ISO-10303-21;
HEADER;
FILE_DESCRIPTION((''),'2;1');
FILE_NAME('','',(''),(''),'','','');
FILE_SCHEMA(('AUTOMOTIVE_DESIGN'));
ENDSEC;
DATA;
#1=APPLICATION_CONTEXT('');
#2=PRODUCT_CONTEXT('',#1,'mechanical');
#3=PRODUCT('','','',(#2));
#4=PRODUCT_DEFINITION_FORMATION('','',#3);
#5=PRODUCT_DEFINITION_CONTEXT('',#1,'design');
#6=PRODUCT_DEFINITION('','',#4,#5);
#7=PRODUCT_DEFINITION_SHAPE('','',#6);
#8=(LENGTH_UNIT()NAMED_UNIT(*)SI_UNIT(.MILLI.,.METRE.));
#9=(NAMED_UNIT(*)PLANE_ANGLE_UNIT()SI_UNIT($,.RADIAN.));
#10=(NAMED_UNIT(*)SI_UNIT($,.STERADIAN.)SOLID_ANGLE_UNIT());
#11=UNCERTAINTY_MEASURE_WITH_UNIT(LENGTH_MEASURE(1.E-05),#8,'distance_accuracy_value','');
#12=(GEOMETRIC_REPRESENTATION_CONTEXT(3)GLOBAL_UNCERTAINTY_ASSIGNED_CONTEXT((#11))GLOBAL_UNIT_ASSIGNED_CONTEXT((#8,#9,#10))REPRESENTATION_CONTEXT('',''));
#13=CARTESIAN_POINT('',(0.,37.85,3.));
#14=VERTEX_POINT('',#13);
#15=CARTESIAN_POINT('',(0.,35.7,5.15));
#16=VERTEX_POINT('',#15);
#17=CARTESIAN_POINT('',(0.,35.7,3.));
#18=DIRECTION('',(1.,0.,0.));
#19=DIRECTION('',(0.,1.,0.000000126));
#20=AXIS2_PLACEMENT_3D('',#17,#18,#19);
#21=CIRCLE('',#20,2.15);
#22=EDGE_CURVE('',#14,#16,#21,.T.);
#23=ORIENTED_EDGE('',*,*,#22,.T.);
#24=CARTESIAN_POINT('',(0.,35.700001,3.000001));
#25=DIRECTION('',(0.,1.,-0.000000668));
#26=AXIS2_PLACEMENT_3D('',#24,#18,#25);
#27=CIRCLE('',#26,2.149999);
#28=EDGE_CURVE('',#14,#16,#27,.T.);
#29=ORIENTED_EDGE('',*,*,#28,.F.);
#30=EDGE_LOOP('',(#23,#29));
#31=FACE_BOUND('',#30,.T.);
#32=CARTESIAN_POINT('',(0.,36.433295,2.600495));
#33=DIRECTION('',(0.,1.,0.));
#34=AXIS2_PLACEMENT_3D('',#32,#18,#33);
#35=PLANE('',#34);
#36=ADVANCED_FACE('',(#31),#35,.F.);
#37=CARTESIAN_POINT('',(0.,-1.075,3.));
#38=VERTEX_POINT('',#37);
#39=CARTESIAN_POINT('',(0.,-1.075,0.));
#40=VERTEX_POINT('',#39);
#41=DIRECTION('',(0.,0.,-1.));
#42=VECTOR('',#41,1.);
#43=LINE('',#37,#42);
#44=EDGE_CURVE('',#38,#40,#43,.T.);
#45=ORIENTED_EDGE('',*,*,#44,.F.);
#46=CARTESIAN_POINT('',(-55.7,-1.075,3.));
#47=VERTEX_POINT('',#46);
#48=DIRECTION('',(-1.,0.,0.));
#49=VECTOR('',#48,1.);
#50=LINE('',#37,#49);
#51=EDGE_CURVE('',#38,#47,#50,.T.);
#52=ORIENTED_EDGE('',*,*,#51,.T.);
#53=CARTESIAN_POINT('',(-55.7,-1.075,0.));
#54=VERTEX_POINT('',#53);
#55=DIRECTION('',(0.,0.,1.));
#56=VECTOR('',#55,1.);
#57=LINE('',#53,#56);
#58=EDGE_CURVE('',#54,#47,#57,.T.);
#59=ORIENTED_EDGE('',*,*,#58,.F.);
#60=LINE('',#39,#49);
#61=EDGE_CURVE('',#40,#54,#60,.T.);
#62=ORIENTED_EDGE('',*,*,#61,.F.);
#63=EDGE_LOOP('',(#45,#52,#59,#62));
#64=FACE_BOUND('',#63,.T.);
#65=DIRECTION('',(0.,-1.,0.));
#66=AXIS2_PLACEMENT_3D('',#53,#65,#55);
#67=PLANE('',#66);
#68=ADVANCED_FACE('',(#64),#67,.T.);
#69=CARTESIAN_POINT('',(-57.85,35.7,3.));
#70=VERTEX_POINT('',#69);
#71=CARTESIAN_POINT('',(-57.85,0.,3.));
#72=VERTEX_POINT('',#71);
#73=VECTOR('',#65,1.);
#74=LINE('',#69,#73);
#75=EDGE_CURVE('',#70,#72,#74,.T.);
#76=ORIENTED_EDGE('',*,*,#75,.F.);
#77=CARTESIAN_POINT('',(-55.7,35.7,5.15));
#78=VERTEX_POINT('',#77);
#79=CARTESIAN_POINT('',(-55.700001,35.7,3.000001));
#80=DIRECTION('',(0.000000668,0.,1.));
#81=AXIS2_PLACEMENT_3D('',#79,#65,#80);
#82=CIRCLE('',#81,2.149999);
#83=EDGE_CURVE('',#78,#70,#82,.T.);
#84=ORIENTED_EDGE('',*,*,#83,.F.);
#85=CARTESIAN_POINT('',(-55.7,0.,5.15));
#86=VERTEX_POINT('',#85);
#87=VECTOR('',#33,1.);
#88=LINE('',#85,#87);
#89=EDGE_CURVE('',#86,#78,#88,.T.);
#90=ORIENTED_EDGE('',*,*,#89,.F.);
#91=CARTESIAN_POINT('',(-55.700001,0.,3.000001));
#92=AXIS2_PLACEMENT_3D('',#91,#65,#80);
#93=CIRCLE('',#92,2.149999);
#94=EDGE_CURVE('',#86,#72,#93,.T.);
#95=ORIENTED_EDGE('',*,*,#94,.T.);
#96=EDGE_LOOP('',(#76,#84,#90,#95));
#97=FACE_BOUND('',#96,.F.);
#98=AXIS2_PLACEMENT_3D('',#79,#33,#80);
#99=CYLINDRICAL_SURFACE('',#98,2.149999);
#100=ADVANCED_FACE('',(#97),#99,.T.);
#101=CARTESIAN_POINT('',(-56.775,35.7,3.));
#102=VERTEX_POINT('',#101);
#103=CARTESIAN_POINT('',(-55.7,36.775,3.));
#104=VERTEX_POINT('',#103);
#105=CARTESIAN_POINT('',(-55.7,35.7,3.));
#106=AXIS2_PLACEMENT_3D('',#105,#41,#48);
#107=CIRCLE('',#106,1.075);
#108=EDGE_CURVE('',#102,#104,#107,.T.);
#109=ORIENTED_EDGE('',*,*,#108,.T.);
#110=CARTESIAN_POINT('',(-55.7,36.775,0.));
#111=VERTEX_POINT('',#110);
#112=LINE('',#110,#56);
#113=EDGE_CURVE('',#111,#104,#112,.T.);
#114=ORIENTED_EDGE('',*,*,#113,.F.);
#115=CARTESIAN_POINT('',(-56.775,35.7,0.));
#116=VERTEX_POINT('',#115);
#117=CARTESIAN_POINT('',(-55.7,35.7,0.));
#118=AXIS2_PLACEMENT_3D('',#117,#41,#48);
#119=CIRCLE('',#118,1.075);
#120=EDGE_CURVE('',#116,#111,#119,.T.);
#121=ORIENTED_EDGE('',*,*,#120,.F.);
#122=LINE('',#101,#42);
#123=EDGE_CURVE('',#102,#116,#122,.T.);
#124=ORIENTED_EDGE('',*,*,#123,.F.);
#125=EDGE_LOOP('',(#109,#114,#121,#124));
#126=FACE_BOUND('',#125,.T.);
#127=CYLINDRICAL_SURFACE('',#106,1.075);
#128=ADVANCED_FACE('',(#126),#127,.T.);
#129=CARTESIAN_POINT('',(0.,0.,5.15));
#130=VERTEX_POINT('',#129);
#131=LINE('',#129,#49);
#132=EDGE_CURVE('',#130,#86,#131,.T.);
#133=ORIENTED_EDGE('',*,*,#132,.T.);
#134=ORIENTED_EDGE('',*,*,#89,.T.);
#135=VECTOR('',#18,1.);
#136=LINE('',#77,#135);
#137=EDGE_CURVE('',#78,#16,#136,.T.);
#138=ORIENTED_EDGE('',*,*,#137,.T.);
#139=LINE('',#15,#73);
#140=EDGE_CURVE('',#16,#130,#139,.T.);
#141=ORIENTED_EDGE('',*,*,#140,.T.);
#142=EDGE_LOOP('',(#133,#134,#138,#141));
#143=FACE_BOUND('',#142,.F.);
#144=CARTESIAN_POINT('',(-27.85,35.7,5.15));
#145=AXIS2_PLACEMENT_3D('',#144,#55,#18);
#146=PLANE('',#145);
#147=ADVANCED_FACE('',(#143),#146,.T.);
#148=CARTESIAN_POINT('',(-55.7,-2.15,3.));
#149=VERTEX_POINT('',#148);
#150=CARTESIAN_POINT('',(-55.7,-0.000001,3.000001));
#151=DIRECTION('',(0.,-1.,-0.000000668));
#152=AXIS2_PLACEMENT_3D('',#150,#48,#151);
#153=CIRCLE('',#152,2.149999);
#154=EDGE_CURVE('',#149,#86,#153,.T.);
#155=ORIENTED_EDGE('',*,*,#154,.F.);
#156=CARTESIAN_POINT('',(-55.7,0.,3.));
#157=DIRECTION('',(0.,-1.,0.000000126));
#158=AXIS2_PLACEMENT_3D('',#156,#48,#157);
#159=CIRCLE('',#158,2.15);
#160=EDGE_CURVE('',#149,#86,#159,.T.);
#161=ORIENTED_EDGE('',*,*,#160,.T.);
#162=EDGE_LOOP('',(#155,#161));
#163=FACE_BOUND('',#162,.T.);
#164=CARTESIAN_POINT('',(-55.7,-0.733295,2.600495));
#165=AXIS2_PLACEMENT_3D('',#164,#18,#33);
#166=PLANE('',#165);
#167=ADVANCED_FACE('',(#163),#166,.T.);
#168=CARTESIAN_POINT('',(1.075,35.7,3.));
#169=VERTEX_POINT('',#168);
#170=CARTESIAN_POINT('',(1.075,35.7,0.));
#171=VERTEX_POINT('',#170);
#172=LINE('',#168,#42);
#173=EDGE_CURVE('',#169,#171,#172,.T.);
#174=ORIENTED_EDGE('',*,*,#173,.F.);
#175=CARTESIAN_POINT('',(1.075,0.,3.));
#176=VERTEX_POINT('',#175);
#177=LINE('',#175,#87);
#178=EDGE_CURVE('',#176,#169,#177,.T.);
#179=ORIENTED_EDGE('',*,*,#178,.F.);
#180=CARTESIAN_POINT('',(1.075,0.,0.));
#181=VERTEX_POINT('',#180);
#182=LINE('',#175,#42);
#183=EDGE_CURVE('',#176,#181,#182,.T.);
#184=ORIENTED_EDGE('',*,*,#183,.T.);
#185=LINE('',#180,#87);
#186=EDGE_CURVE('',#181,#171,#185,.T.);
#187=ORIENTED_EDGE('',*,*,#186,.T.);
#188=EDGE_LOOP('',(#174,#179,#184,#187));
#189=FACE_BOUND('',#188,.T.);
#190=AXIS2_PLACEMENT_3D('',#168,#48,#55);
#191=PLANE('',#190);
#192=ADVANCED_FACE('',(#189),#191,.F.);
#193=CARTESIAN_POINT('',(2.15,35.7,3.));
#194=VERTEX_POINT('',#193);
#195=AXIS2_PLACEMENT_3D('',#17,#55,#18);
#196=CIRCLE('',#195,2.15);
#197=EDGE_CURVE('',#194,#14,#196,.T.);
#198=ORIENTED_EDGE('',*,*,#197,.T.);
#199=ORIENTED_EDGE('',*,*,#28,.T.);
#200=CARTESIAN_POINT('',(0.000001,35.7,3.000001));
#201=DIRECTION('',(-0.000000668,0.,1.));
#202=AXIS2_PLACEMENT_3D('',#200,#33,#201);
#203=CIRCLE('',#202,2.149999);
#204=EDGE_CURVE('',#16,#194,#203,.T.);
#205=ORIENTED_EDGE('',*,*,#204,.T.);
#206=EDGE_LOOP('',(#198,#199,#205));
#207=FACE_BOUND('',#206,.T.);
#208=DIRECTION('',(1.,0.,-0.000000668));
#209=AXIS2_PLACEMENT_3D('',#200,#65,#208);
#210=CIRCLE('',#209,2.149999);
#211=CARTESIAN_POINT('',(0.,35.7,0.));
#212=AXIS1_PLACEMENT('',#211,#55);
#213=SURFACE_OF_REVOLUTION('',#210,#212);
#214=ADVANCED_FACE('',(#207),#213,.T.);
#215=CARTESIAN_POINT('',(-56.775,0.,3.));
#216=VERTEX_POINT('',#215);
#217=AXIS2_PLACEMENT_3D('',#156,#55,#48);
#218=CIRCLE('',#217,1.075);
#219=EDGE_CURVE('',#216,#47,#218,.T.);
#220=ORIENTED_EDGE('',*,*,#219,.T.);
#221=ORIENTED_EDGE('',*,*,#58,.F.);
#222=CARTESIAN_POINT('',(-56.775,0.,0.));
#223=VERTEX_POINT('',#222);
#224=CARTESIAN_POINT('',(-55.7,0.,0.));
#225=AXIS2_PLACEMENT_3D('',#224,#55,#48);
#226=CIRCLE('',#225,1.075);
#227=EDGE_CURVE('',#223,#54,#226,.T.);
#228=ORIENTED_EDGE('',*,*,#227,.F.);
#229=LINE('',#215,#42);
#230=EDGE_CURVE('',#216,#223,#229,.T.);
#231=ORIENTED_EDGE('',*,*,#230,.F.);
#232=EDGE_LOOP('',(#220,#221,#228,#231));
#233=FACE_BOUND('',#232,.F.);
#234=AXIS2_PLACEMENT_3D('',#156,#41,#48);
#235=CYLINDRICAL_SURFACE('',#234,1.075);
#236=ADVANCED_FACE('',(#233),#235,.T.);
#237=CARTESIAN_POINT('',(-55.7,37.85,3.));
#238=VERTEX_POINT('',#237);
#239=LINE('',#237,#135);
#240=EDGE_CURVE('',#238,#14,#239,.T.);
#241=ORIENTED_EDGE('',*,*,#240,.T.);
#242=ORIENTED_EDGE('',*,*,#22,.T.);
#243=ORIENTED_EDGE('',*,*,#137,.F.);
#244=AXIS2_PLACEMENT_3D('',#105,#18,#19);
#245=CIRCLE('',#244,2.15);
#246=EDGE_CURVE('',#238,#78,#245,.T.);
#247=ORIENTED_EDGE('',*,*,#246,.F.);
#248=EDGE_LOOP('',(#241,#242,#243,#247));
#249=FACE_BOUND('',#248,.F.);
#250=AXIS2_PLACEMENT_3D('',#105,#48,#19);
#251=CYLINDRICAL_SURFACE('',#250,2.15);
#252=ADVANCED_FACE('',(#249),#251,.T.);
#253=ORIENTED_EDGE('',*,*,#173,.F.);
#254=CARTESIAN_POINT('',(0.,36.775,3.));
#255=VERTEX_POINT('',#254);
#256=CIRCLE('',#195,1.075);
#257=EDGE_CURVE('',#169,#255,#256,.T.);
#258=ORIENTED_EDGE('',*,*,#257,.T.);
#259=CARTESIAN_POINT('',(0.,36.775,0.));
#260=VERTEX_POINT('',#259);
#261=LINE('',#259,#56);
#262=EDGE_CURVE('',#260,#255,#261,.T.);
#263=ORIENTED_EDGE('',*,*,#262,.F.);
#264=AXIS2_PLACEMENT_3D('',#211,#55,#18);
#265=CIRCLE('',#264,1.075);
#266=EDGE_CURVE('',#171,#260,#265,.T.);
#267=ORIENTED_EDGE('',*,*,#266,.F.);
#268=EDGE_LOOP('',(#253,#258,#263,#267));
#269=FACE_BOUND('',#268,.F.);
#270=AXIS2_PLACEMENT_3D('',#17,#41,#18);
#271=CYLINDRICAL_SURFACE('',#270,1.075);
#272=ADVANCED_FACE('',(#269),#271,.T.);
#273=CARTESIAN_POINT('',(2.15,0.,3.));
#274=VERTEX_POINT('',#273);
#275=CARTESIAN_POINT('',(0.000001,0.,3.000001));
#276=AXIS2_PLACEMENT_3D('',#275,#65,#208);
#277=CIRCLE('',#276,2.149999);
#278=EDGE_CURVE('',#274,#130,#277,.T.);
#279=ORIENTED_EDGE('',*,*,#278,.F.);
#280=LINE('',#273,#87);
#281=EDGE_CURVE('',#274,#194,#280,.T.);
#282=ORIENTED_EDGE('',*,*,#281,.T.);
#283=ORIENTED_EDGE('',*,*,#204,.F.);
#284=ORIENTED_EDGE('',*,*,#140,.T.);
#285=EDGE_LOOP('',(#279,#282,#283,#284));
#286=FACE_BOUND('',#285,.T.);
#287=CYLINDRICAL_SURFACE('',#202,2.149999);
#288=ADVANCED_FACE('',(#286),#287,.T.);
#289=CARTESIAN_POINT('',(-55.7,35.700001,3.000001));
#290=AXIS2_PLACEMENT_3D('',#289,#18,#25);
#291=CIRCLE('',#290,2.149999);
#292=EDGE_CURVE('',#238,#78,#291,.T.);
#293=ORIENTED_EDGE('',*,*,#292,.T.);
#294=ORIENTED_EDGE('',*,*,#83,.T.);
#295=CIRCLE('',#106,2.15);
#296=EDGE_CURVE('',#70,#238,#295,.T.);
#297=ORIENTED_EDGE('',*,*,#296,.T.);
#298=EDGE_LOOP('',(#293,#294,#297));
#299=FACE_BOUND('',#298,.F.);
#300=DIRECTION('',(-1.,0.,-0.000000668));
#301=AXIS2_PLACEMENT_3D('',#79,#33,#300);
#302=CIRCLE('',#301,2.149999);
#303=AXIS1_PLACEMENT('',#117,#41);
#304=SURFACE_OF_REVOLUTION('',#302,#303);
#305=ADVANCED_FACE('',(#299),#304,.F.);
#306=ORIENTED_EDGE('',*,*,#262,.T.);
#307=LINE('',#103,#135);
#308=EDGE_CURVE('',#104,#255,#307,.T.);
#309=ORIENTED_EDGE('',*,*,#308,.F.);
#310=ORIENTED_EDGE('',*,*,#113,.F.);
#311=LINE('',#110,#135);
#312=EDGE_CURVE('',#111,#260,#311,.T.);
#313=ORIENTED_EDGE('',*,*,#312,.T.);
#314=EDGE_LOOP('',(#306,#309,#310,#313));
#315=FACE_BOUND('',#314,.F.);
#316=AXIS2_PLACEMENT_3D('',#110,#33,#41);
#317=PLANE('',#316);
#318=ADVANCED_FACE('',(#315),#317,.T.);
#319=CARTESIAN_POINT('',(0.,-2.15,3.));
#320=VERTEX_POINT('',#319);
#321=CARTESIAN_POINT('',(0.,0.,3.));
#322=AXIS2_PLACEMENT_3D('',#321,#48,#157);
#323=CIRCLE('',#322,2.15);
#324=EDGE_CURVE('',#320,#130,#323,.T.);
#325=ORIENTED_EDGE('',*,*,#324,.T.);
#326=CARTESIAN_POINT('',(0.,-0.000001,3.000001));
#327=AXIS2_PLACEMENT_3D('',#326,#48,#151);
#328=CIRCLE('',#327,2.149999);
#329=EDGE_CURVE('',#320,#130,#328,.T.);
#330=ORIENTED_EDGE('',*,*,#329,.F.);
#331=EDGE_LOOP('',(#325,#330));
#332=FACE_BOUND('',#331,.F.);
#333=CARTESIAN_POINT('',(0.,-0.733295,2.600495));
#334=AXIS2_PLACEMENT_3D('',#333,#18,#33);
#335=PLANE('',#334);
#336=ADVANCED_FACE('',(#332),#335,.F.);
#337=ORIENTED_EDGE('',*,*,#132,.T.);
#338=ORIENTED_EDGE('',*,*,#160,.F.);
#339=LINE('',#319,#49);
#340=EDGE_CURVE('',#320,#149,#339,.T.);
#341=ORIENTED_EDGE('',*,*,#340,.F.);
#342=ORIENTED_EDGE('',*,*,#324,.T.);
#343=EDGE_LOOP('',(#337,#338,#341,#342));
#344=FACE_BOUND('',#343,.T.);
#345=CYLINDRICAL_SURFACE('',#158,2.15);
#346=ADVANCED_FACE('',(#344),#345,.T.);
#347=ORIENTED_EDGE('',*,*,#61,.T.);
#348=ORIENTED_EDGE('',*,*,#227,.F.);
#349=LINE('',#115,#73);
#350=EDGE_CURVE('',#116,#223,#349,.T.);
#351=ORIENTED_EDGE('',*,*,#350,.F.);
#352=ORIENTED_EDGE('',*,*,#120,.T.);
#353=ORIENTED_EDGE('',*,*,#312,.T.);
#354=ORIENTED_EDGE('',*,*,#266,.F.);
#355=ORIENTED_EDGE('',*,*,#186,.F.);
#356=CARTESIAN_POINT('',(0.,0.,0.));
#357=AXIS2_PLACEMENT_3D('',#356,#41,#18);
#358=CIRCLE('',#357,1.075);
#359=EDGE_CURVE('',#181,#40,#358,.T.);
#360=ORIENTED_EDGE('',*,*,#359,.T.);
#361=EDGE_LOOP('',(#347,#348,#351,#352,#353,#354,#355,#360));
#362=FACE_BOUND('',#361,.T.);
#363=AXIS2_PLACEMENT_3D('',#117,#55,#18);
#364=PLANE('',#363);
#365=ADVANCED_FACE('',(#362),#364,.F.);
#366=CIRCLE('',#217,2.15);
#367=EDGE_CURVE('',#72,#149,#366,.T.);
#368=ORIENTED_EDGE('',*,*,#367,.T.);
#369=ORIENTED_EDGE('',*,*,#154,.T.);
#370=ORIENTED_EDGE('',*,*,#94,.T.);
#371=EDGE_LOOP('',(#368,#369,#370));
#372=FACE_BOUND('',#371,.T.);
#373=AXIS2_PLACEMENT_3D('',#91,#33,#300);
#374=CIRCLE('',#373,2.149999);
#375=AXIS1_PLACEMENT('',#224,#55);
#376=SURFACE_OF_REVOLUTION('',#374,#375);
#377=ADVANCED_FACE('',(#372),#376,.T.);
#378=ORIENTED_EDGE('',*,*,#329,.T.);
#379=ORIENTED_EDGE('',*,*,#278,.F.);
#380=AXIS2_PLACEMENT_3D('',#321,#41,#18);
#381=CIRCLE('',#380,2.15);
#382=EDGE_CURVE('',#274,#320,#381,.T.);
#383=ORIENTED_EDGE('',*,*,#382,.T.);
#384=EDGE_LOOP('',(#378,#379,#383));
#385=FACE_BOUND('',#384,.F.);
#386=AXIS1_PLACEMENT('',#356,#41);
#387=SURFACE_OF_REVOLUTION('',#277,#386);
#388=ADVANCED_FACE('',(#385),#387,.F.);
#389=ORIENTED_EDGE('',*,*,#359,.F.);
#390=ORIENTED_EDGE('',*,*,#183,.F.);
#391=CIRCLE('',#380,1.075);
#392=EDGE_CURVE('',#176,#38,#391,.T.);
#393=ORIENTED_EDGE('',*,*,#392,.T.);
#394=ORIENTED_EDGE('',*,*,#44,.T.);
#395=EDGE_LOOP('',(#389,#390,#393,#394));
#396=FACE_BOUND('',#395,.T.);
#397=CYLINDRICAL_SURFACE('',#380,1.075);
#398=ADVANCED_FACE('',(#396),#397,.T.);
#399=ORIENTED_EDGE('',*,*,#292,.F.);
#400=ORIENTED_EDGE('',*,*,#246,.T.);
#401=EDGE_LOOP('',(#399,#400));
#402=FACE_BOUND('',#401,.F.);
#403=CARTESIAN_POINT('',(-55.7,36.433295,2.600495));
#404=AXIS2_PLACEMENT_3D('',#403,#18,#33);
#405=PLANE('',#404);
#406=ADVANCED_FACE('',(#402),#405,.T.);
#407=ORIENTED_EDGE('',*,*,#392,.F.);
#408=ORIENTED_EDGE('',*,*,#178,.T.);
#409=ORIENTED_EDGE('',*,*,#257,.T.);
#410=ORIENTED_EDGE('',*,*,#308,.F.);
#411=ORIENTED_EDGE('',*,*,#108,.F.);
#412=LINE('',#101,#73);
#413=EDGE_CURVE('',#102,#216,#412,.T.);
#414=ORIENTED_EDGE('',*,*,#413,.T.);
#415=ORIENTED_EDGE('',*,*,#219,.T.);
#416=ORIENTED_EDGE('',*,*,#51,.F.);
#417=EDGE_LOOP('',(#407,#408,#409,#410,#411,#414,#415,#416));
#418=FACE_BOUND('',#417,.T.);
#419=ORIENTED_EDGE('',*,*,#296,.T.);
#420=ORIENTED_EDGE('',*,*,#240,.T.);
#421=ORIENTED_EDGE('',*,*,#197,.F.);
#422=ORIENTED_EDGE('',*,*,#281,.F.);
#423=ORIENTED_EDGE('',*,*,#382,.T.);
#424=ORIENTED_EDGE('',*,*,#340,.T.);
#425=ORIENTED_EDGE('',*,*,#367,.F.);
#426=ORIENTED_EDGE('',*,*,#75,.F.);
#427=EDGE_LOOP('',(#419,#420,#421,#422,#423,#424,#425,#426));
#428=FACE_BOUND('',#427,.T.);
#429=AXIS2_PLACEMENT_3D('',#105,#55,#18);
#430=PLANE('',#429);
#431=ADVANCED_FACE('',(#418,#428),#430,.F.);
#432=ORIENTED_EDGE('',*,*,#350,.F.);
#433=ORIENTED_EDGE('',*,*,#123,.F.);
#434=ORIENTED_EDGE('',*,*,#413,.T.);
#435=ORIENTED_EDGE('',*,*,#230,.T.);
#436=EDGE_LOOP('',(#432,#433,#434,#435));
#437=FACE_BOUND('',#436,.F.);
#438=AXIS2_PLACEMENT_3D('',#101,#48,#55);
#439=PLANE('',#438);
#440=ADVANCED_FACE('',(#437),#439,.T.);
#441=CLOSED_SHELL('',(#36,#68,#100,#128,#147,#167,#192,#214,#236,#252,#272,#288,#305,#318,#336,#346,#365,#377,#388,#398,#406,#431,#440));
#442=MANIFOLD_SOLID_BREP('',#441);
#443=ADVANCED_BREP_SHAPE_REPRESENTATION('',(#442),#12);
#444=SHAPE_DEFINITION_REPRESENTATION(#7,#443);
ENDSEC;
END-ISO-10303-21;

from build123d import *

# Parameters (mm, degrees)
REVOLUTION_ANGLE            = -90
PAD_DEPTH                   = 27.85
PAD001_DEPTH                = 17.85
PAD001_MIRRORED_2_DEPTH     = 17.85
PAD_MIRRORED_2_DEPTH        = 27.85
REVOLUTION_MIRRORED_2_ANGLE = 90


with BuildPart() as part:
    # Sketch → Revolution (revolve)
    with BuildSketch(Plane.XZ):
        with BuildLine():
            Line((0, 0), (0, 5.15))
            ThreePointArc((2.15, 3), (1.52028, 4.52028), (0, 5.15))
            Line((2.15, 3), (1.075, 3))
            Line((1.075, 3), (1.075, 0))
            Line((1.075, 0), (0, 0))
        make_face()
    revolution = revolve(axis=Axis((0, 0, 0), (0, 0, 1)), revolution_arc=REVOLUTION_ANGLE)

    # Revolution Face6 → Pad (new)
    with BuildSketch(Plane(origin=(0, -0.736084, 2.777594), x_dir=(0, 1, 0), z_dir=(-1, 0, 0))):
        with BuildLine():
            Line((0.736084, -2.372406), (0.736084, 2.777594))
            Line((0.736084, 2.777594), (-0.338916, 2.777594))
            Line((-0.338916, 2.777594), (-0.338916, -0.222406))
            Line((-0.338916, -0.222406), (-1.413916, -0.222406))
            ThreePointArc((-1.413916, -0.222406), (-0.784195, -1.742686), (0.736084, -2.372406))
        make_face()
    pad = extrude(amount=PAD_DEPTH)

    # Pad Face7 → Pad001 (add)
    with BuildSketch(Plane(origin=(-13.256201, 0, 2.584242), x_dir=(1, 0, 0), z_dir=(0, 1, 0))):
        with BuildLine():
            ThreePointArc((13.256201, -2.565758), (14.776481, -1.936038), (15.406201, -0.415758))
            Line((15.406201, -0.415758), (14.331201, -0.415758))
            Line((14.331201, -0.415758), (14.331201, 2.584242))
            Line((14.331201, 2.584242), (-14.593799, 2.584242))
            Line((-14.593799, 2.584242), (-14.593799, -2.565758))
            Line((-14.593799, -2.565758), (13.256201, -2.565758))
        make_face()
    pad001 = extrude(amount=PAD001_DEPTH)

    # Pad Face7 Mirrored 2 → Pad001 Mirrored 2 (add)
    with BuildSketch(Plane(origin=(-42.443799, 0, 2.584242), x_dir=(-1, 0, 0), z_dir=(0, -1, 0))):
        with BuildLine():
            ThreePointArc((13.256201, -2.565758), (14.776481, -1.936038), (15.406201, -0.415758))
            Line((15.406201, -0.415758), (14.331201, -0.415758))
            Line((14.331201, -0.415758), (14.331201, 2.584242))
            Line((14.331201, 2.584242), (-14.593799, 2.584242))
            Line((-14.593799, 2.584242), (-14.593799, -2.565758))
            Line((-14.593799, -2.565758), (13.256201, -2.565758))
        make_face()
    pad001_mirrored_2 = extrude(amount=-PAD001_MIRRORED_2_DEPTH)

    # Revolution Face6 Mirrored 2 → Pad Mirrored 2 (add)
    with BuildSketch(Plane(origin=(-55.7, -0.736084, 2.777594), x_dir=(0, 1, 0), z_dir=(-1, 0, 0))):
        with BuildLine():
            Line((0.736084, -2.372406), (0.736084, 2.777594))
            Line((0.736084, 2.777594), (-0.338916, 2.777594))
            Line((-0.338916, 2.777594), (-0.338916, -0.222406))
            Line((-0.338916, -0.222406), (-1.413916, -0.222406))
            ThreePointArc((-1.413916, -0.222406), (-0.784195, -1.742686), (0.736084, -2.372406))
        make_face()
    pad_mirrored_2 = extrude(amount=-PAD_MIRRORED_2_DEPTH)

    # Sketch Mirrored 2 → Revolution Mirrored 2 (revolve)
    with BuildSketch(Plane(origin=(-55.7, 0, 0), x_dir=(-1, 0, 0), z_dir=(0, 1, 0))):
        with BuildLine():
            Line((0, 0), (0, 5.15))
            ThreePointArc((2.15, 3), (1.52028, 4.52028), (0, 5.15))
            Line((2.15, 3), (1.075, 3))
            Line((1.075, 3), (1.075, 0))
            Line((1.075, 0), (0, 0))
        make_face()
    revolution_mirrored_2 = revolve(axis=Axis((-55.7, 0, 0), (0, 0, 1)), revolution_arc=REVOLUTION_MIRRORED_2_ANGLE)

    # Mirrored001: Pad001, Pad, Revolution, Pad001 Mirrored 2, Pad Mirrored 2, Revolution Mirrored 2 across face of Pad001
    add(pad001.mirror(Plane(origin=(-13.256201, 17.85, 2.584242), x_dir=(-1, 0, 0), z_dir=(0, 1, 0))))
    add(pad.mirror(Plane(origin=(-13.256201, 17.85, 2.584242), x_dir=(-1, 0, 0), z_dir=(0, 1, 0))))
    add(revolution.mirror(Plane(origin=(-13.256201, 17.85, 2.584242), x_dir=(-1, 0, 0), z_dir=(0, 1, 0))))
    add(pad001_mirrored_2.mirror(Plane(origin=(-13.256201, 17.85, 2.584242), x_dir=(-1, 0, 0), z_dir=(0, 1, 0))))
    add(pad_mirrored_2.mirror(Plane(origin=(-13.256201, 17.85, 2.584242), x_dir=(-1, 0, 0), z_dir=(0, 1, 0))))
    add(revolution_mirrored_2.mirror(Plane(origin=(-13.256201, 17.85, 2.584242), x_dir=(-1, 0, 0), z_dir=(0, 1, 0))))


solid = part.part
